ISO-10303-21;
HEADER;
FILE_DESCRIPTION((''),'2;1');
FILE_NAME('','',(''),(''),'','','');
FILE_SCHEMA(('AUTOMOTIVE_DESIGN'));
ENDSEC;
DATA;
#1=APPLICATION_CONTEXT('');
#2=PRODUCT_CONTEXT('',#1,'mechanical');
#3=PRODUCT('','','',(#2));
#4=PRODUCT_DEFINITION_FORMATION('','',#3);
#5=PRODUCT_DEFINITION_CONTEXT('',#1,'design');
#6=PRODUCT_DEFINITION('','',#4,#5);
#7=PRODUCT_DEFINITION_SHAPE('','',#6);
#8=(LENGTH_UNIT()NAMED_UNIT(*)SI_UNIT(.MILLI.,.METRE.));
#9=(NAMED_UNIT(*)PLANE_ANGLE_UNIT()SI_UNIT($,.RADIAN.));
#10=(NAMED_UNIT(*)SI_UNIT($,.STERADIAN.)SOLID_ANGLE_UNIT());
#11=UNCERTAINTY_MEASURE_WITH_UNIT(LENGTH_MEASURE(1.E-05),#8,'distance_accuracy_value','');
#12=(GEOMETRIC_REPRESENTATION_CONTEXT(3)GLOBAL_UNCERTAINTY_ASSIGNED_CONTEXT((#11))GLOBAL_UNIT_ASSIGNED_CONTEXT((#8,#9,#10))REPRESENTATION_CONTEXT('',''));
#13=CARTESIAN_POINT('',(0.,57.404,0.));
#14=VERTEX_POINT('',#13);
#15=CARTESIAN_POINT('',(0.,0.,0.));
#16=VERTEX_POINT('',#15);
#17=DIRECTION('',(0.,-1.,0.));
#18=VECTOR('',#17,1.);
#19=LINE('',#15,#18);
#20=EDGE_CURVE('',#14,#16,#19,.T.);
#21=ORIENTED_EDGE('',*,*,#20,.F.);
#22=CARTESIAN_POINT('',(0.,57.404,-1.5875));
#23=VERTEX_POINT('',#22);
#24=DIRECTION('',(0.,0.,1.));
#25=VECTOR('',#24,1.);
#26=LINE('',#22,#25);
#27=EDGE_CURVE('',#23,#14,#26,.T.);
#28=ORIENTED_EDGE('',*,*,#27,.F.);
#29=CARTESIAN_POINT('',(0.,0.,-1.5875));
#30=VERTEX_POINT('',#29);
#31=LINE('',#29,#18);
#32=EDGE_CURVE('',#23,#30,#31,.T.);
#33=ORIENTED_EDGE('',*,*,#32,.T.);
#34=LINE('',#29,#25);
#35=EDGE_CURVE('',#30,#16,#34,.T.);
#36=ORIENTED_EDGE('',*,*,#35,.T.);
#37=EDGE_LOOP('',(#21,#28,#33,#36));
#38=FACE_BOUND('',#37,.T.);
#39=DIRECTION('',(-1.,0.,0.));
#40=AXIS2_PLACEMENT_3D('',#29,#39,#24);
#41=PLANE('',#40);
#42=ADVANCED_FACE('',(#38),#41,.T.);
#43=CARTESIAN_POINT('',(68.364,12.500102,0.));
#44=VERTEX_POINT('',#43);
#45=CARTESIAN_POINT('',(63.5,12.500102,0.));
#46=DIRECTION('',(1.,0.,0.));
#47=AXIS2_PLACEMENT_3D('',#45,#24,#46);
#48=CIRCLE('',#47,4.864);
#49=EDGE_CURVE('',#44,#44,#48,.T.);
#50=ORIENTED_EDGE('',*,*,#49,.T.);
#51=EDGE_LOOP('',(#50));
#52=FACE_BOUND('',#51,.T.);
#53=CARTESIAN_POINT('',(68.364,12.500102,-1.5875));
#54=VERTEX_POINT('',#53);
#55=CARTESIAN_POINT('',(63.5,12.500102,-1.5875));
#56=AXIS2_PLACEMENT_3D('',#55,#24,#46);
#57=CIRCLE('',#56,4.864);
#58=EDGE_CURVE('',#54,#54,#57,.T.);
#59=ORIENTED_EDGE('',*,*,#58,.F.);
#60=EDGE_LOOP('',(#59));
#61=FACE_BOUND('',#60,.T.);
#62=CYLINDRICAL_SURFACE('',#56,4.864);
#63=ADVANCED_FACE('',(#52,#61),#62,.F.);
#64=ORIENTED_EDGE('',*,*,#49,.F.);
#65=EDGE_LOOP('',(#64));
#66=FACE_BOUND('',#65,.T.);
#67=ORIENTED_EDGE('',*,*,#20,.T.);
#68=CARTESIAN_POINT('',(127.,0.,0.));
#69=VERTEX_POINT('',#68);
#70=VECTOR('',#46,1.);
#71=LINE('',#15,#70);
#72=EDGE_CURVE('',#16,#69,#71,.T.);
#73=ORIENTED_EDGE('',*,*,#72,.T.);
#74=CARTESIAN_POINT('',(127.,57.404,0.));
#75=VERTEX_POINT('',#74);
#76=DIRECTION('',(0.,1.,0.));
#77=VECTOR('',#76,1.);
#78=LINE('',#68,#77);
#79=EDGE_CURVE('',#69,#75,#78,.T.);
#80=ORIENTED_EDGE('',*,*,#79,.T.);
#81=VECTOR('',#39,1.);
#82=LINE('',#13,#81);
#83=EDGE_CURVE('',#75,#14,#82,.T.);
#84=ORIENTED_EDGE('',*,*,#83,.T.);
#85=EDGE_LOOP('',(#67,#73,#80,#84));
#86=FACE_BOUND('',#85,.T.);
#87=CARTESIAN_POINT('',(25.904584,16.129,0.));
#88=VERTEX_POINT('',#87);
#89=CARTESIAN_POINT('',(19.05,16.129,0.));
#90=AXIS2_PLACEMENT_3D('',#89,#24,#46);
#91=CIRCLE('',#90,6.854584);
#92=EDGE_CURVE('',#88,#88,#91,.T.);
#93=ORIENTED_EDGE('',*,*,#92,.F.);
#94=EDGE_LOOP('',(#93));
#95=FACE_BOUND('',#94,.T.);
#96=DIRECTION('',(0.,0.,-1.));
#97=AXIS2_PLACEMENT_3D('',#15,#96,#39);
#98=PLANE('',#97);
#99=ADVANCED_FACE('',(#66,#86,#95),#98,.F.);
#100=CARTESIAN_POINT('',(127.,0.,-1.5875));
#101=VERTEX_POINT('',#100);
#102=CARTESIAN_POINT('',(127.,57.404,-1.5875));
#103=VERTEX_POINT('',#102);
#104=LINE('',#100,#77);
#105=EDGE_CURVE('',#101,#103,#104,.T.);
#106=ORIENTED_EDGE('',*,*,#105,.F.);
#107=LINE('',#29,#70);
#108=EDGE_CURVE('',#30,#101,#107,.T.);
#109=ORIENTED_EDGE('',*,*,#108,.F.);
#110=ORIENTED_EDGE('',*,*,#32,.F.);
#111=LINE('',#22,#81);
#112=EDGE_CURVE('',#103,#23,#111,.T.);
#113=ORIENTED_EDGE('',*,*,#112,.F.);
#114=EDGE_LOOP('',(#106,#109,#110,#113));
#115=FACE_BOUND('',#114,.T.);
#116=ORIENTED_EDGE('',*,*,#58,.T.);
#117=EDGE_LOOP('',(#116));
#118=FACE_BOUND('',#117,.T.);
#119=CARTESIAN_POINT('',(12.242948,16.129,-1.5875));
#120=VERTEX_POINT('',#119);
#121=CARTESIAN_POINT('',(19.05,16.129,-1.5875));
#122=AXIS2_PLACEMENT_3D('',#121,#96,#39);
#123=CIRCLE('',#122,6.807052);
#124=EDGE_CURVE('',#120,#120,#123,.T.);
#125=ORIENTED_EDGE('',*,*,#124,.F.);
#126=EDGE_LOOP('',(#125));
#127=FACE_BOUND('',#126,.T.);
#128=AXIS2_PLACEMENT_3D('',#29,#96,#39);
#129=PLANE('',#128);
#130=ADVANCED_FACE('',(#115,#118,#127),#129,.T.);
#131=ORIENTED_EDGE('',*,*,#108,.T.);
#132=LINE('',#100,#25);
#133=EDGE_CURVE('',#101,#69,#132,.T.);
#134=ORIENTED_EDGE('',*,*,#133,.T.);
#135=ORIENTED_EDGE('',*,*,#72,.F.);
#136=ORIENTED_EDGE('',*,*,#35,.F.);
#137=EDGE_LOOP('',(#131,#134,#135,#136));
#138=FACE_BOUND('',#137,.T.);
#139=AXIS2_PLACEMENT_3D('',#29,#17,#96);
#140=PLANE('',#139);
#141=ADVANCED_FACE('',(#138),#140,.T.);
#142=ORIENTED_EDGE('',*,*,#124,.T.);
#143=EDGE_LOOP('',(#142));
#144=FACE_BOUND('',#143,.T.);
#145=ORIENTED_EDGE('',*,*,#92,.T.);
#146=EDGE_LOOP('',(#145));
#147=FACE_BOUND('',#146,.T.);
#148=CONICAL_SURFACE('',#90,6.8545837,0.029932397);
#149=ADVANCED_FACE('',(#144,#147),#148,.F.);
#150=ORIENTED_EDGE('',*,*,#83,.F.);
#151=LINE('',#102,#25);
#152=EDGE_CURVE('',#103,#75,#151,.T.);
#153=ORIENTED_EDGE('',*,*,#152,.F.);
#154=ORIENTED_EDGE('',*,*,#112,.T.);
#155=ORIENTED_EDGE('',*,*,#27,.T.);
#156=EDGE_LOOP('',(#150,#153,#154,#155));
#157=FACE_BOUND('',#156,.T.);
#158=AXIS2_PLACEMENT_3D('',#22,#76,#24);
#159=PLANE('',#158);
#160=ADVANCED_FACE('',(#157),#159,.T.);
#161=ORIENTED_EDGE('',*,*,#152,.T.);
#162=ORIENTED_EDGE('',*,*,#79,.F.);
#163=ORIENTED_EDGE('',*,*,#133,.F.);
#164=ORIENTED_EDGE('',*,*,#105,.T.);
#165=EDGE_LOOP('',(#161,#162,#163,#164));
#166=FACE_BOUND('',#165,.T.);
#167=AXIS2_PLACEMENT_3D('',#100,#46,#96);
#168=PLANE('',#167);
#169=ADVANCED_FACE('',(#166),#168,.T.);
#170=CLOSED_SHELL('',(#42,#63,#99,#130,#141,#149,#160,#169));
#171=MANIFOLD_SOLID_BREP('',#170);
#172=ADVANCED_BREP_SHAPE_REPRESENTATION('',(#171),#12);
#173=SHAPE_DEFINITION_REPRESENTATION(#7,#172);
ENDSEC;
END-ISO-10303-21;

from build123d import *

# Parameters (mm, degrees)
SKETCH2_W           = 127
SKETCH2_H           = 57.404
SKETCH2_R           = 4.864
BOSS_EXTRUDE1_DEPTH = 1.5875


with BuildPart() as part:
    # Sketch2 → Boss-Extrude1 (new body)
    with BuildSketch(Plane.XY):
        with Locations((63.5, 28.702)):
            Rectangle(SKETCH2_W, SKETCH2_H)
        with Locations((63.5, 12.500102)):
            Circle(SKETCH2_R, mode=Mode.SUBTRACT)
    extrude(amount=-BOSS_EXTRUDE1_DEPTH)

    # Sketch3 → 1/4 NPT Tapped Hole1 (revolve, cut)
    with BuildSketch(Plane(origin=(19.05, 16.129, 0), x_dir=(0, -1, 0), z_dir=(1, 0, 0))):
        Polygon((0, 0), (0, 1.5875), (5.5626, 1.5875), (5.5626, 9.906), (6.557984794, 9.906), (6.8545837, 0), align=None)
    revolve(axis=Axis((19.05, 16.129, 6.35), (0, 0, -1)), mode=Mode.SUBTRACT)


solid = part.part
